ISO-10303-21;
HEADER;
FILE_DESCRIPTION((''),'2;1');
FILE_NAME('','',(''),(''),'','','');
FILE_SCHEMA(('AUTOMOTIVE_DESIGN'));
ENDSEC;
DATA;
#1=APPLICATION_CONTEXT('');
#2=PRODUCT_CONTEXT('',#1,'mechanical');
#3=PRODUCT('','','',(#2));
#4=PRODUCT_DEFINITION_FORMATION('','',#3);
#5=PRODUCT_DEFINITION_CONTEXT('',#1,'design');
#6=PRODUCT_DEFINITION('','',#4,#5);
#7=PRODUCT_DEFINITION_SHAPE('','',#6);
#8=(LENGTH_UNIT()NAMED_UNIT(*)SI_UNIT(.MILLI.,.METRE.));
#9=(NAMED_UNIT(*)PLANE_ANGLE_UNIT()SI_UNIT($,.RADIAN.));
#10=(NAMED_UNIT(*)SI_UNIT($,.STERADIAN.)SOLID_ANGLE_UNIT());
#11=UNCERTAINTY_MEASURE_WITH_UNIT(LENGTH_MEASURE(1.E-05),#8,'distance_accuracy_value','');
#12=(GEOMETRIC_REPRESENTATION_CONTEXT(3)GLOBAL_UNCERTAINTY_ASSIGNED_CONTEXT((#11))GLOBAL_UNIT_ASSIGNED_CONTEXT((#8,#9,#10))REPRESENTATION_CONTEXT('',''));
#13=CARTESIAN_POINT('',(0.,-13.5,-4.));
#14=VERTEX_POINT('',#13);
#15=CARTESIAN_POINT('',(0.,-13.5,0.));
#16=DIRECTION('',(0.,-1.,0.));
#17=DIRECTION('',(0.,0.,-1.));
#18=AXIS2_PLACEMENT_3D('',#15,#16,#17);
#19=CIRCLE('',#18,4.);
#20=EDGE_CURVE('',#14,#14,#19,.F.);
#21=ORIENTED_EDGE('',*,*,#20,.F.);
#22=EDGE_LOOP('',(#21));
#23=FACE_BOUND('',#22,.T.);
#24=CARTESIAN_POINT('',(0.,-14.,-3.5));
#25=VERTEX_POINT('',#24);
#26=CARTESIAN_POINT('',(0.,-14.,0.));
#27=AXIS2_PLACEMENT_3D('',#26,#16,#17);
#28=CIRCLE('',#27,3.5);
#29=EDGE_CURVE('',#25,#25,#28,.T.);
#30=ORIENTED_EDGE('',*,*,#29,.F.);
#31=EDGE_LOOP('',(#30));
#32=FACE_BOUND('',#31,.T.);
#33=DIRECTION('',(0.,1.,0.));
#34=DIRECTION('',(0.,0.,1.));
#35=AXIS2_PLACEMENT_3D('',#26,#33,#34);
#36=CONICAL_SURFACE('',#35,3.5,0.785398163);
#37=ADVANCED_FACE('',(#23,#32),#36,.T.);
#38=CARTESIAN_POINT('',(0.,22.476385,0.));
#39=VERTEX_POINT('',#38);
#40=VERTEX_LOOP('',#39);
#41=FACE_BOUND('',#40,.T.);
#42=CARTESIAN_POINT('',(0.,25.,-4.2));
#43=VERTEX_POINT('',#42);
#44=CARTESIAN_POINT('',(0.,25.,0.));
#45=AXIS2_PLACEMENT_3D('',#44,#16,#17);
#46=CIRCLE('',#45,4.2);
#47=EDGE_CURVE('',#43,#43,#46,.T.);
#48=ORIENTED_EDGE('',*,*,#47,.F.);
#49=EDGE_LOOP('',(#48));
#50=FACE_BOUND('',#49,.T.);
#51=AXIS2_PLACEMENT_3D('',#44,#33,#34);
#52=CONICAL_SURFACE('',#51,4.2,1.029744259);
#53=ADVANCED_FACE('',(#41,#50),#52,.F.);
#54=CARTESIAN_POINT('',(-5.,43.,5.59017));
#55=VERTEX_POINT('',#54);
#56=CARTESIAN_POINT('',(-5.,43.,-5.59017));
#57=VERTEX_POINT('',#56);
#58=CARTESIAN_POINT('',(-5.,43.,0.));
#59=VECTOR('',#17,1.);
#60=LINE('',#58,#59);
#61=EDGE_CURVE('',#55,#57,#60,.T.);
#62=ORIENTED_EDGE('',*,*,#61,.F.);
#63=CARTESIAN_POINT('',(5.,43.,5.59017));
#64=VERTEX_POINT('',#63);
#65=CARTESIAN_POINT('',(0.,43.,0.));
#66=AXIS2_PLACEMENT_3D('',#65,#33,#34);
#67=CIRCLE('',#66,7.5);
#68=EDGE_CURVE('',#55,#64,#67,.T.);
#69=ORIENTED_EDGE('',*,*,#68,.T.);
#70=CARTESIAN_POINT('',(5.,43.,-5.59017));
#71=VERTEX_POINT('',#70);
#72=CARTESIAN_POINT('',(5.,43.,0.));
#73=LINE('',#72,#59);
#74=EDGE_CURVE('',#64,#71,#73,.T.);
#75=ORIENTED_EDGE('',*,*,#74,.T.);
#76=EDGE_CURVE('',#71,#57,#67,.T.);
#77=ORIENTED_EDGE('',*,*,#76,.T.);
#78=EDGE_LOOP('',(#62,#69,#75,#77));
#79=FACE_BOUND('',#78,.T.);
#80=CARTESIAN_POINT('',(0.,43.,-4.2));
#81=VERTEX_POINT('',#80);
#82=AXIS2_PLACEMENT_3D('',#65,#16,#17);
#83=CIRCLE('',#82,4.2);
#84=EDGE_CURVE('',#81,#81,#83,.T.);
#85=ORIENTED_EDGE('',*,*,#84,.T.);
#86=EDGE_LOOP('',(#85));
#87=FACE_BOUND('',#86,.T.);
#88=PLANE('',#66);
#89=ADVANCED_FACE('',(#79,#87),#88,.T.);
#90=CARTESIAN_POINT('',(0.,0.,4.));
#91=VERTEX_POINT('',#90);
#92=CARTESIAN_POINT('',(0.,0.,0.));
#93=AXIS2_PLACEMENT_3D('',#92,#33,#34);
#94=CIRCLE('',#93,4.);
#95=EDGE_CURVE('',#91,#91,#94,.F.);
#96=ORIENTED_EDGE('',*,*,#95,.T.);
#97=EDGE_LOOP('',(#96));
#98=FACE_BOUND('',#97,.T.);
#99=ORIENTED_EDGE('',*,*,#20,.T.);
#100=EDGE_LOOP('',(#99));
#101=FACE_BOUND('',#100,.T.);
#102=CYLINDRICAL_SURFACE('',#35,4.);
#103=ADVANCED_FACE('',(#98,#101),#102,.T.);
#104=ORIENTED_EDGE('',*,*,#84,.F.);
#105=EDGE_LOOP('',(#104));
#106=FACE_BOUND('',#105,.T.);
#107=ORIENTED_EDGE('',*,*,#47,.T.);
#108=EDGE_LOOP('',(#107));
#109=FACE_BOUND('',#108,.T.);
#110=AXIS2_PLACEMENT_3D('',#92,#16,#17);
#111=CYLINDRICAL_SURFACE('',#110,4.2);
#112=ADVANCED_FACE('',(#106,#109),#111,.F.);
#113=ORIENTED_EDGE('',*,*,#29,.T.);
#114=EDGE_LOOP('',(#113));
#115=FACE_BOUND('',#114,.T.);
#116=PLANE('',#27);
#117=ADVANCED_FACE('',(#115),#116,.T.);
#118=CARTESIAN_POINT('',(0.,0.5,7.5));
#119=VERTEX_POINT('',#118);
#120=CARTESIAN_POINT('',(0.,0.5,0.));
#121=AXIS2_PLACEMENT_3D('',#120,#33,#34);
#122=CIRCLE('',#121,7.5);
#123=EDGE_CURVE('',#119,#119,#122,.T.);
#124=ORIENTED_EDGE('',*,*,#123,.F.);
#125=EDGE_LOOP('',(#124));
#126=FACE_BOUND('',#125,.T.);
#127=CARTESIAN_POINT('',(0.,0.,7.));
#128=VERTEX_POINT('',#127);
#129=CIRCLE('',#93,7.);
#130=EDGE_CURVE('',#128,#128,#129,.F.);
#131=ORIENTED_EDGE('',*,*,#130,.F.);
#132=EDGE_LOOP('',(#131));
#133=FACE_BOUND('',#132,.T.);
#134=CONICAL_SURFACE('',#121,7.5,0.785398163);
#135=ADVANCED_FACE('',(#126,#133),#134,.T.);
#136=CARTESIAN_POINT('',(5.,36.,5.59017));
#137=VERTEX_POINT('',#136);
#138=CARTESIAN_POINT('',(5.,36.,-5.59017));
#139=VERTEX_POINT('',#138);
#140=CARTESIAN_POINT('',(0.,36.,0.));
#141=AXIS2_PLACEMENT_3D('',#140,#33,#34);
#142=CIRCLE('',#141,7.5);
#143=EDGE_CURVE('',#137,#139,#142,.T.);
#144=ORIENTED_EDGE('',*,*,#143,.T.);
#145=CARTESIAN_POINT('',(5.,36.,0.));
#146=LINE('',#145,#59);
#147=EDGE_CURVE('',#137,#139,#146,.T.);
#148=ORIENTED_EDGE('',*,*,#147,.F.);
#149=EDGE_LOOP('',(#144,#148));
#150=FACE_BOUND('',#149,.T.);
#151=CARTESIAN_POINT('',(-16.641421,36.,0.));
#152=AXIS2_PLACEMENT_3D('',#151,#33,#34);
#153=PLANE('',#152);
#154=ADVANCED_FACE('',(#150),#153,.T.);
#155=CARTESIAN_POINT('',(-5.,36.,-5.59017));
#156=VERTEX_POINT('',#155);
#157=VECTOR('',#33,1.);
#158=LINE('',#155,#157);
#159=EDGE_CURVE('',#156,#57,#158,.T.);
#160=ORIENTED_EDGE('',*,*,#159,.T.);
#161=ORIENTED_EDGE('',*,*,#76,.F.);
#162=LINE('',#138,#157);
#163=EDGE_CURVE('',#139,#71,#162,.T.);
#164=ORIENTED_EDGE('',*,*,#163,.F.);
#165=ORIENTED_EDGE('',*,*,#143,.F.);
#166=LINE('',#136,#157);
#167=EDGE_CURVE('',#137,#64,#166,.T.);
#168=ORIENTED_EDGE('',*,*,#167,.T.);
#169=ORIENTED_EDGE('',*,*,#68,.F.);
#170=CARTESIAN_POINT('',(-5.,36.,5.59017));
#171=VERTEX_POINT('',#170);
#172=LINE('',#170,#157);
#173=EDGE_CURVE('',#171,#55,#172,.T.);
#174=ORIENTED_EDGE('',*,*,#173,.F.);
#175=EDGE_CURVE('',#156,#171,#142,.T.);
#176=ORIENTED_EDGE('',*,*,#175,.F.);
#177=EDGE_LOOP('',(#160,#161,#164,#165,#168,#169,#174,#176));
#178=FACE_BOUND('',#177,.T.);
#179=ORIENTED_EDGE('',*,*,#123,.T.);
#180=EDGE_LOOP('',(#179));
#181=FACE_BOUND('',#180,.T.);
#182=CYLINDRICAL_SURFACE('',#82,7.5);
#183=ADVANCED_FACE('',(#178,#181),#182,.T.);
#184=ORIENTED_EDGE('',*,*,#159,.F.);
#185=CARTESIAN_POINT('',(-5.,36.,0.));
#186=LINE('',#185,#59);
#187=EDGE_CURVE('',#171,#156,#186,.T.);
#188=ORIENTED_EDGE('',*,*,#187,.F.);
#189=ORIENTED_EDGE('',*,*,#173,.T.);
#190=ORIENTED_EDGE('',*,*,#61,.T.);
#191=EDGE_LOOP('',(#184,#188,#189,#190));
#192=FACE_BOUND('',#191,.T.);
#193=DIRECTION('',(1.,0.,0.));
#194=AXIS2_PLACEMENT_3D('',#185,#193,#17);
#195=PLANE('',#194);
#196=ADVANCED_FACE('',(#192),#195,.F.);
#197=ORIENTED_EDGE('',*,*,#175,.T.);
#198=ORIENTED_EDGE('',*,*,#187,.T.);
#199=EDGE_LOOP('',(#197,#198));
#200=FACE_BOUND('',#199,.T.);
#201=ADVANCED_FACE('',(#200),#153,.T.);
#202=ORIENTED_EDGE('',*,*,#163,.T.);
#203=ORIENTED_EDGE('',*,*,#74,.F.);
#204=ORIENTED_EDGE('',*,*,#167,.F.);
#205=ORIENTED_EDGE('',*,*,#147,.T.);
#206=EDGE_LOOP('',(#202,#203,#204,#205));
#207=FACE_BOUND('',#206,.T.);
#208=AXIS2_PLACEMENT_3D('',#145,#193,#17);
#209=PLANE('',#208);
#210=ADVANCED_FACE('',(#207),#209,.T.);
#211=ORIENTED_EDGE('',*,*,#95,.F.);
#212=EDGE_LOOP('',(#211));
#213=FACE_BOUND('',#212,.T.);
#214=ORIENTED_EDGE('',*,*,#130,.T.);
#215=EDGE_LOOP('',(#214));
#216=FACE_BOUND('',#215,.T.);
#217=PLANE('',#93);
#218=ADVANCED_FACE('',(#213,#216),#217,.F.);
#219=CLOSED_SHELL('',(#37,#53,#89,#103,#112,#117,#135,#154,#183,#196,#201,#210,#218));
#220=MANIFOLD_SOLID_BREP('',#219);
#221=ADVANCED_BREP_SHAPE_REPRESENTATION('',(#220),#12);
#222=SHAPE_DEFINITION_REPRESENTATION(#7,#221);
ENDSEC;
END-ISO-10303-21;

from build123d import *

# Parameters (mm, degrees)
SKETCH1_R          = 7.5
EXTRUDE1_DEPTH     = 43
SKETCH2_R          = 4
EXTRUDE2_DEPTH     = 14
CUT_EXTRUDE1_START = -7
CUT_EXTRUDE1_DEPTH = 7
CHAMFER1_SIZE      = 0.5


with BuildPart() as part:
    # Sketch1 → Extrude1 (new body)
    with BuildSketch(Plane(origin=(0, 0, 0), x_dir=(1, 0, 0), z_dir=(0, 1, 0))):
        with Locations(Location((0, 0, 0), (0, 0, 270))):
            Circle(SKETCH1_R)
    extrude(amount=EXTRUDE1_DEPTH)

    # Sketch2 → Extrude2 (add)
    with BuildSketch(Plane.XZ):
        with Locations(Location((0, 0, 0), (0, 0, 90))):
            Circle(SKETCH2_R)
    extrude(amount=EXTRUDE2_DEPTH)

    # Sketch4 → Cut-Extrude1 (cut)
    with BuildSketch(Plane(origin=(0, 43, 0), x_dir=(-1, 0, 0), z_dir=(0, 1, 0)).offset(CUT_EXTRUDE1_START)):
        with BuildLine():
            Line((-5, -5.590169944), (-5, 5.590169944))
            ThreePointArc((-5, 5.590169944), (-7.5, 0), (-5, -5.590169944))
        make_face()
        with BuildLine():
            ThreePointArc((7.5, 0), (6.846531969, 3.061862178), (5, 5.590169944))
            Line((5, 5.590169944), (5, -5.590169944))
            ThreePointArc((5, -5.590169944), (6.846531969, -3.061862178), (7.5, 0))
        make_face()
    extrude(amount=CUT_EXTRUDE1_DEPTH, mode=Mode.SUBTRACT)

    # Chamfer1
    chamfer1_edges = [part.edges().sort_by_distance(p)[0] for p in [
        (0, 0, -7.5),
        (0, -14, -4),
    ]]
    chamfer(chamfer1_edges, length=CHAMFER1_SIZE)

    # Sketch5 → Cut-Revolve2 (revolve, cut)
    with BuildSketch(Plane.XY, mode=Mode.PRIVATE) as cut_revolve2_sk:
        Polygon((0, 43), (4.2, 43), (4.2, 25), (0, 22.4763854), align=None)
    revolve(cut_revolve2_sk.sketch.rotate(Axis((0, 0, 0), (0, 1, 0)), 131.810314896), axis=Axis((0, 0, 0), (0, 1, 0)), mode=Mode.SUBTRACT)


solid = part.part
